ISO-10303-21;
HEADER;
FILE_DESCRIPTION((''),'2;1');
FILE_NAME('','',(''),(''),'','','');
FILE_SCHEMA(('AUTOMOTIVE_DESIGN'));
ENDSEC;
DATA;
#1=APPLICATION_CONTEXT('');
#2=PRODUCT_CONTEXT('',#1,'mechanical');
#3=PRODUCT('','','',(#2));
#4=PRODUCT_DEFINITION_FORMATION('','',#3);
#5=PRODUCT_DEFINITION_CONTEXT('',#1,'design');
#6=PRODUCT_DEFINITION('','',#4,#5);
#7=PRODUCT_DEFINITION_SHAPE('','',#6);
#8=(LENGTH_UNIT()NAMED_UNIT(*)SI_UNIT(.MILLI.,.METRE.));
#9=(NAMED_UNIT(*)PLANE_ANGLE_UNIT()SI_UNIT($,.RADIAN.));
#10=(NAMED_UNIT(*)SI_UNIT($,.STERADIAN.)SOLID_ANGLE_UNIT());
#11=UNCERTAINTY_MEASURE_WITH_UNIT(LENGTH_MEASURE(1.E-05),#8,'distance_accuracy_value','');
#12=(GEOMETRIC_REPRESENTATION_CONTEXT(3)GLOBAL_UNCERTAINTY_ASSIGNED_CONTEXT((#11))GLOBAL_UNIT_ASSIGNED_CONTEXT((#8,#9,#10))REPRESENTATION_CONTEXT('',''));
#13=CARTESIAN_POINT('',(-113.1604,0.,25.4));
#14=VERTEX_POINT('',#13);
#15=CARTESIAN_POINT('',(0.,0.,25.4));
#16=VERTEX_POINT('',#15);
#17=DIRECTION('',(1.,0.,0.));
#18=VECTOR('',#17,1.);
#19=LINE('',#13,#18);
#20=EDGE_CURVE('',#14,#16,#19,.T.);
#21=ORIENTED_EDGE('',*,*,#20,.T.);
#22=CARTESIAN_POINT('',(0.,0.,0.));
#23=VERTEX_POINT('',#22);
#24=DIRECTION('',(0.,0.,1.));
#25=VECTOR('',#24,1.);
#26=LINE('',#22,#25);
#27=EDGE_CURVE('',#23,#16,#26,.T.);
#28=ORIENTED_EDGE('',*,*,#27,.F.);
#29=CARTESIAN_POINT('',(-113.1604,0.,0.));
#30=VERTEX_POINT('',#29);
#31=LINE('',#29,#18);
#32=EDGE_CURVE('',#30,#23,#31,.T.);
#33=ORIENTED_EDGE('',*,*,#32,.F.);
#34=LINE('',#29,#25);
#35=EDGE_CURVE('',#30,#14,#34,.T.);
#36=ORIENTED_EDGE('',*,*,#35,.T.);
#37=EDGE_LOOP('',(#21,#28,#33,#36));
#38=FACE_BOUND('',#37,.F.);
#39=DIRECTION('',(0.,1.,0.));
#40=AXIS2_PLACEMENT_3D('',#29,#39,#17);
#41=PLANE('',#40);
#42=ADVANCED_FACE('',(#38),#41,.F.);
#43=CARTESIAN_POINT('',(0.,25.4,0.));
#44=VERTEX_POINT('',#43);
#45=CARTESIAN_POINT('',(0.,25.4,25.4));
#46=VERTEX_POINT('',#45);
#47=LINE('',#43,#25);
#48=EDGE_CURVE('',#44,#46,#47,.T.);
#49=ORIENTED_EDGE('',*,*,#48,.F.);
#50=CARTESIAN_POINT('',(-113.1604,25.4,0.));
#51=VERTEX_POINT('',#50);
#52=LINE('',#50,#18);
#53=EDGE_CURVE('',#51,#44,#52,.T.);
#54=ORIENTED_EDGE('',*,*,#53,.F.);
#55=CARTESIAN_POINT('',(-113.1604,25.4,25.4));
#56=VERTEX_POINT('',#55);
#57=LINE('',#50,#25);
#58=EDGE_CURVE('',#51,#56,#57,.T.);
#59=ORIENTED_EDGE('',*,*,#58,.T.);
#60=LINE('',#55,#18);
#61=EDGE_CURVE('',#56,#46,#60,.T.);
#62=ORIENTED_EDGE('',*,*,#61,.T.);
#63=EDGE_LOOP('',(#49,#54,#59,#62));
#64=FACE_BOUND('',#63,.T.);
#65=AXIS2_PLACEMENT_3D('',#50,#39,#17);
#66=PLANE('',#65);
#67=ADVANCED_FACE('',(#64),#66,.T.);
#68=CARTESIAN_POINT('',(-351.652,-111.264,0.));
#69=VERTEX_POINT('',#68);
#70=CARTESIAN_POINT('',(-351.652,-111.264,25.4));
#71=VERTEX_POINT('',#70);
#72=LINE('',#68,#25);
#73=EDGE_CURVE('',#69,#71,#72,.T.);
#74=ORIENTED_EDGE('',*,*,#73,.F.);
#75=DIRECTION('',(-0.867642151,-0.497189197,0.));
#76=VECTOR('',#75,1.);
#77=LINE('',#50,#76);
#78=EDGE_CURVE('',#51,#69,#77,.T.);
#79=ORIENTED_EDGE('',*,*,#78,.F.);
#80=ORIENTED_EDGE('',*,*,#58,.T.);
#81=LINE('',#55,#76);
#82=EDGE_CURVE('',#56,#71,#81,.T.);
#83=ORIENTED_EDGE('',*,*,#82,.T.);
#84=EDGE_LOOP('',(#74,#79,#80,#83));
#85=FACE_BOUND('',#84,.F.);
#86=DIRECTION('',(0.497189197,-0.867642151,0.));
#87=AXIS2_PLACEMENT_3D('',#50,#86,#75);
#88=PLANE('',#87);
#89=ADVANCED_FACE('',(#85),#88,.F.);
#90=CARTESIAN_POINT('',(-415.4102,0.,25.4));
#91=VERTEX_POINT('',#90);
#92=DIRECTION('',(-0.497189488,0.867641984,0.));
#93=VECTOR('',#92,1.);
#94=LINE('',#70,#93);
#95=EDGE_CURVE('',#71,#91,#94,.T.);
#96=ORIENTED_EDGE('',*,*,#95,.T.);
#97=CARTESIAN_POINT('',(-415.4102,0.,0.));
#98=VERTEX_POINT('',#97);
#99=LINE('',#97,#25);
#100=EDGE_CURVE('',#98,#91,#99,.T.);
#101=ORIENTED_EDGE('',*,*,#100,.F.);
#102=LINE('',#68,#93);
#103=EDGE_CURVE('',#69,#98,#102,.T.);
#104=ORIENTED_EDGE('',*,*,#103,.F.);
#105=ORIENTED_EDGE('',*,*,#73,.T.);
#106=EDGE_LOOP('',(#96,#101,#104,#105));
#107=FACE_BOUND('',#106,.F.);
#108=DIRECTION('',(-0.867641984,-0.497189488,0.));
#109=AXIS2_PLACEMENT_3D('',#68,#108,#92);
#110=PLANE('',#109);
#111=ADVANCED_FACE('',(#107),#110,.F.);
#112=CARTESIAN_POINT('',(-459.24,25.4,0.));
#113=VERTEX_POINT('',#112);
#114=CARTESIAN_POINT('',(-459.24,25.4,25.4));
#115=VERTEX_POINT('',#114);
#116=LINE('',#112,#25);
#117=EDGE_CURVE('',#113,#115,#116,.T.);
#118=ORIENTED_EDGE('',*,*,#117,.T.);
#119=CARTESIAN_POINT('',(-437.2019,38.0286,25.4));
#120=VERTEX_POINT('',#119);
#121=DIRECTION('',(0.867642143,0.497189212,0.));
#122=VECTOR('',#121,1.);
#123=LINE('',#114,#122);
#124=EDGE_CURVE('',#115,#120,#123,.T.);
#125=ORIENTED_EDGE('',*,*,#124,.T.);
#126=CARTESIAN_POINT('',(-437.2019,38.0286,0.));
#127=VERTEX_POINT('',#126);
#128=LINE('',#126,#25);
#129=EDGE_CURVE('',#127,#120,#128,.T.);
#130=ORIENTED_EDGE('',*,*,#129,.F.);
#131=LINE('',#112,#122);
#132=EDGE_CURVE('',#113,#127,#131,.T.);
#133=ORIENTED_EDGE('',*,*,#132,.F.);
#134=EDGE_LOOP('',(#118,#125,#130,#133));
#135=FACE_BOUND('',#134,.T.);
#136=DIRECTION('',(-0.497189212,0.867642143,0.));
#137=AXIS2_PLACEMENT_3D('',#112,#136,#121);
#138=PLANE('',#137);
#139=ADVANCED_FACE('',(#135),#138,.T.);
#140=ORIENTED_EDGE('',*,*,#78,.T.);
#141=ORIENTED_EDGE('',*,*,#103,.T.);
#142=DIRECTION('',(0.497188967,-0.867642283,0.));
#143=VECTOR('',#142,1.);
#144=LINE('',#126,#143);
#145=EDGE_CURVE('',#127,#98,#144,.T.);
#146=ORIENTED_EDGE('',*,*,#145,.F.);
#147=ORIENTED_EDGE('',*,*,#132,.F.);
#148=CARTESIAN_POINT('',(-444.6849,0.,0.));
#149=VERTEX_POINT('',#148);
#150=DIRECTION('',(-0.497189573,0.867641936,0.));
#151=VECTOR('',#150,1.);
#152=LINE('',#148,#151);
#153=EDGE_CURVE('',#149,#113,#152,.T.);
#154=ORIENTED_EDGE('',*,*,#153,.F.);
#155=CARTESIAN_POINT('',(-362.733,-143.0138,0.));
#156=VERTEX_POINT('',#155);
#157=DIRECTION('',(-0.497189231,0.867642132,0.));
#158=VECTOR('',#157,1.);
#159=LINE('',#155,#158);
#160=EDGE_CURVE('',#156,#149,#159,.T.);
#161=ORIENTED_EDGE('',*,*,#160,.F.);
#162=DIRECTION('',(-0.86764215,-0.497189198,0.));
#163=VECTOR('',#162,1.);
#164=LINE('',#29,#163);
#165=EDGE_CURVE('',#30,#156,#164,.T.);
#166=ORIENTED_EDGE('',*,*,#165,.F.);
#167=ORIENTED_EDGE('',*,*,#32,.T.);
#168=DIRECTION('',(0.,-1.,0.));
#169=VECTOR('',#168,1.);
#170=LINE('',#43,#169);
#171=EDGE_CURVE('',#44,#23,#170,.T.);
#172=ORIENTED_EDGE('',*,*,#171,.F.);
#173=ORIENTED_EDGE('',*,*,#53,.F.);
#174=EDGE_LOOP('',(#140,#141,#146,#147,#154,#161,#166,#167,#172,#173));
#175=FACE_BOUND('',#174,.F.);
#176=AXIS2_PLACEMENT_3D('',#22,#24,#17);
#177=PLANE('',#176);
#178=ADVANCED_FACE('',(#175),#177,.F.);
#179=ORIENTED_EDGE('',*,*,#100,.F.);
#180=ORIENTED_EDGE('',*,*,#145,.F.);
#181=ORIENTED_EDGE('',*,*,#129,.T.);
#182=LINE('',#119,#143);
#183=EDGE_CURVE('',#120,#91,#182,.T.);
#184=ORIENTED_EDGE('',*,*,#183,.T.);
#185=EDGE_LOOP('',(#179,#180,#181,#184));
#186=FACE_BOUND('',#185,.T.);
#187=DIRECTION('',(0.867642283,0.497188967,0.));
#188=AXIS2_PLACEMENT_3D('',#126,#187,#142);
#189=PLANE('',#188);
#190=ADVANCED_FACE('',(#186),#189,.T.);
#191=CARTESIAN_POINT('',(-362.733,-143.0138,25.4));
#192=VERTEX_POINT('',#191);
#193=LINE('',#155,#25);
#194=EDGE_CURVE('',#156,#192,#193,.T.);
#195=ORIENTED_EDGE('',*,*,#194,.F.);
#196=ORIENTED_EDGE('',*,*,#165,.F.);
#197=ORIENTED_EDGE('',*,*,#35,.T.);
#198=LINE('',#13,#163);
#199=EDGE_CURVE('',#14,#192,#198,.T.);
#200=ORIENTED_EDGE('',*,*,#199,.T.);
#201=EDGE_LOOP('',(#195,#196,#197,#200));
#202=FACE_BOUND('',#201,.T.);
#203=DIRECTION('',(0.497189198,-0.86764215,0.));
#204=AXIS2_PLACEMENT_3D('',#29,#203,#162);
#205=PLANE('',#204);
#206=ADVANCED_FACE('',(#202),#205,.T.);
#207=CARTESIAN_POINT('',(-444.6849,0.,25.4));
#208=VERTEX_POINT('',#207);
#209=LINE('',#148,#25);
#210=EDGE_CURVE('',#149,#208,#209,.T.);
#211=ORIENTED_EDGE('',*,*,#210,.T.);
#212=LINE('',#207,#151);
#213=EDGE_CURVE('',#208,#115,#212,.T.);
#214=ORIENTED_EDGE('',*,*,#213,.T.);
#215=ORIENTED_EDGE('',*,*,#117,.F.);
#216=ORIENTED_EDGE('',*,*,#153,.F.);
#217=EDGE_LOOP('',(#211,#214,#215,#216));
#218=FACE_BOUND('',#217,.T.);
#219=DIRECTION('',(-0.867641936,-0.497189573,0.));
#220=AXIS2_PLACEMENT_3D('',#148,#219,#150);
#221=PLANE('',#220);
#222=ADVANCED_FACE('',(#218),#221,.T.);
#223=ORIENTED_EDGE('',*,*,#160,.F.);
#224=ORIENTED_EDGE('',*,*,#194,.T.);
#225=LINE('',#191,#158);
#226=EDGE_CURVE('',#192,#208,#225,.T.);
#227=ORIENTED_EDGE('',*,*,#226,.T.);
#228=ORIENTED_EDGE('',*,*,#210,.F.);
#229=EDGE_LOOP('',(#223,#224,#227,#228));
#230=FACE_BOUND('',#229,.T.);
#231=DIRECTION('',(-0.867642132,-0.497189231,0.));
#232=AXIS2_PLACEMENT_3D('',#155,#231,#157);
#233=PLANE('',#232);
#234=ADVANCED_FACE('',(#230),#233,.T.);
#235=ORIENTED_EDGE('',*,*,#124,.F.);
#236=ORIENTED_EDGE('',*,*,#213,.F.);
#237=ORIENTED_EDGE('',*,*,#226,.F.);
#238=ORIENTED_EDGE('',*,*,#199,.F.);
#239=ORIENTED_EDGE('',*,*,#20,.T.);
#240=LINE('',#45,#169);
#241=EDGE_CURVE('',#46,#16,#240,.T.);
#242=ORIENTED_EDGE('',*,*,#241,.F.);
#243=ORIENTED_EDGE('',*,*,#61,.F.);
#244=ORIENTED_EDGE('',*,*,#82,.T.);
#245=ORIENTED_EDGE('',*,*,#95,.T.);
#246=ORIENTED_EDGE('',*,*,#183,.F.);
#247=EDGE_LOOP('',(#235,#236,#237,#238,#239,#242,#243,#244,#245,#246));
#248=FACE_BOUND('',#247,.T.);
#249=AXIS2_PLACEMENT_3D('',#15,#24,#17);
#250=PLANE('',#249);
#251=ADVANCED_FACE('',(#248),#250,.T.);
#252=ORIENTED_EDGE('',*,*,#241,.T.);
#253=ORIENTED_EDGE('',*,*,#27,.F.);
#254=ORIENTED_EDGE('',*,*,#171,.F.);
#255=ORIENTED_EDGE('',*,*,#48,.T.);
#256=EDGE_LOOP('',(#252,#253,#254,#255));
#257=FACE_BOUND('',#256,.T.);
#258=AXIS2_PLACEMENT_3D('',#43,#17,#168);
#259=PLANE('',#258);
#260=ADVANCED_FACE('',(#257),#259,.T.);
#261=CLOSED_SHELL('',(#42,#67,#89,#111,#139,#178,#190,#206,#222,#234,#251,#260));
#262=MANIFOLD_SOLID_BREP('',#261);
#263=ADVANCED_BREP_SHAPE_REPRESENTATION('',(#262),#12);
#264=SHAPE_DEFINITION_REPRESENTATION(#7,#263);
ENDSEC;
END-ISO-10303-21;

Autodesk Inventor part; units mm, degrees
ref_plane "YZ Plane" through (0, 0, 0) normal (1, 0, 0) x (0, 1, 0)
ref_plane "XZ Plane" through (0, 0, 0) normal (0, 1, 0) x (-1, 0, 0)
ref_plane "XY Plane" through (0, 0, 0) normal (0, 0, 1) x (1, 0, 0)
sketch "Sketch1" plane through (0, 0, 0) normal (0, 0, 1) x (1, 0, 0)
  line L0 (0, 25.4) -> (0, 0)
  line L1 (-113.1604, 25.4) -> (-351.652, -111.264)
  line L2 (-351.652, -111.264) -> (-415.4102, 0)
  line L3 (-113.1604, 0) -> (-362.733, -143.0138)
  line L4 (-362.733, -143.0138) -> (-444.6849, 0)
  line L5 (-113.1604, 0) -> (0, 0)
  line L6 (-113.1604, 25.4) -> (0, 25.4)
  line L7 (0, 25.4) -> (0, 0)
  line L8 (0, 0) -> (-113.1604, 0)
  line L9 (0, 25.4) -> (-113.1604, 25.4)
  line L10 (-444.6849, 0) -> (-459.24, 25.4)
  line L11 (-459.24, 25.4) -> (-437.2019, 38.0286)
  line L12 (-437.2019, 38.0286) -> (-415.4102, 0)
  dimension "d0" = 25.4
  dimension "d1" = 25.4
  dimension "d2" = 25.4
extrude "Extrusion1" add sketch "Sketch1" along normal blind 25.4
properties part number "bar 2"
